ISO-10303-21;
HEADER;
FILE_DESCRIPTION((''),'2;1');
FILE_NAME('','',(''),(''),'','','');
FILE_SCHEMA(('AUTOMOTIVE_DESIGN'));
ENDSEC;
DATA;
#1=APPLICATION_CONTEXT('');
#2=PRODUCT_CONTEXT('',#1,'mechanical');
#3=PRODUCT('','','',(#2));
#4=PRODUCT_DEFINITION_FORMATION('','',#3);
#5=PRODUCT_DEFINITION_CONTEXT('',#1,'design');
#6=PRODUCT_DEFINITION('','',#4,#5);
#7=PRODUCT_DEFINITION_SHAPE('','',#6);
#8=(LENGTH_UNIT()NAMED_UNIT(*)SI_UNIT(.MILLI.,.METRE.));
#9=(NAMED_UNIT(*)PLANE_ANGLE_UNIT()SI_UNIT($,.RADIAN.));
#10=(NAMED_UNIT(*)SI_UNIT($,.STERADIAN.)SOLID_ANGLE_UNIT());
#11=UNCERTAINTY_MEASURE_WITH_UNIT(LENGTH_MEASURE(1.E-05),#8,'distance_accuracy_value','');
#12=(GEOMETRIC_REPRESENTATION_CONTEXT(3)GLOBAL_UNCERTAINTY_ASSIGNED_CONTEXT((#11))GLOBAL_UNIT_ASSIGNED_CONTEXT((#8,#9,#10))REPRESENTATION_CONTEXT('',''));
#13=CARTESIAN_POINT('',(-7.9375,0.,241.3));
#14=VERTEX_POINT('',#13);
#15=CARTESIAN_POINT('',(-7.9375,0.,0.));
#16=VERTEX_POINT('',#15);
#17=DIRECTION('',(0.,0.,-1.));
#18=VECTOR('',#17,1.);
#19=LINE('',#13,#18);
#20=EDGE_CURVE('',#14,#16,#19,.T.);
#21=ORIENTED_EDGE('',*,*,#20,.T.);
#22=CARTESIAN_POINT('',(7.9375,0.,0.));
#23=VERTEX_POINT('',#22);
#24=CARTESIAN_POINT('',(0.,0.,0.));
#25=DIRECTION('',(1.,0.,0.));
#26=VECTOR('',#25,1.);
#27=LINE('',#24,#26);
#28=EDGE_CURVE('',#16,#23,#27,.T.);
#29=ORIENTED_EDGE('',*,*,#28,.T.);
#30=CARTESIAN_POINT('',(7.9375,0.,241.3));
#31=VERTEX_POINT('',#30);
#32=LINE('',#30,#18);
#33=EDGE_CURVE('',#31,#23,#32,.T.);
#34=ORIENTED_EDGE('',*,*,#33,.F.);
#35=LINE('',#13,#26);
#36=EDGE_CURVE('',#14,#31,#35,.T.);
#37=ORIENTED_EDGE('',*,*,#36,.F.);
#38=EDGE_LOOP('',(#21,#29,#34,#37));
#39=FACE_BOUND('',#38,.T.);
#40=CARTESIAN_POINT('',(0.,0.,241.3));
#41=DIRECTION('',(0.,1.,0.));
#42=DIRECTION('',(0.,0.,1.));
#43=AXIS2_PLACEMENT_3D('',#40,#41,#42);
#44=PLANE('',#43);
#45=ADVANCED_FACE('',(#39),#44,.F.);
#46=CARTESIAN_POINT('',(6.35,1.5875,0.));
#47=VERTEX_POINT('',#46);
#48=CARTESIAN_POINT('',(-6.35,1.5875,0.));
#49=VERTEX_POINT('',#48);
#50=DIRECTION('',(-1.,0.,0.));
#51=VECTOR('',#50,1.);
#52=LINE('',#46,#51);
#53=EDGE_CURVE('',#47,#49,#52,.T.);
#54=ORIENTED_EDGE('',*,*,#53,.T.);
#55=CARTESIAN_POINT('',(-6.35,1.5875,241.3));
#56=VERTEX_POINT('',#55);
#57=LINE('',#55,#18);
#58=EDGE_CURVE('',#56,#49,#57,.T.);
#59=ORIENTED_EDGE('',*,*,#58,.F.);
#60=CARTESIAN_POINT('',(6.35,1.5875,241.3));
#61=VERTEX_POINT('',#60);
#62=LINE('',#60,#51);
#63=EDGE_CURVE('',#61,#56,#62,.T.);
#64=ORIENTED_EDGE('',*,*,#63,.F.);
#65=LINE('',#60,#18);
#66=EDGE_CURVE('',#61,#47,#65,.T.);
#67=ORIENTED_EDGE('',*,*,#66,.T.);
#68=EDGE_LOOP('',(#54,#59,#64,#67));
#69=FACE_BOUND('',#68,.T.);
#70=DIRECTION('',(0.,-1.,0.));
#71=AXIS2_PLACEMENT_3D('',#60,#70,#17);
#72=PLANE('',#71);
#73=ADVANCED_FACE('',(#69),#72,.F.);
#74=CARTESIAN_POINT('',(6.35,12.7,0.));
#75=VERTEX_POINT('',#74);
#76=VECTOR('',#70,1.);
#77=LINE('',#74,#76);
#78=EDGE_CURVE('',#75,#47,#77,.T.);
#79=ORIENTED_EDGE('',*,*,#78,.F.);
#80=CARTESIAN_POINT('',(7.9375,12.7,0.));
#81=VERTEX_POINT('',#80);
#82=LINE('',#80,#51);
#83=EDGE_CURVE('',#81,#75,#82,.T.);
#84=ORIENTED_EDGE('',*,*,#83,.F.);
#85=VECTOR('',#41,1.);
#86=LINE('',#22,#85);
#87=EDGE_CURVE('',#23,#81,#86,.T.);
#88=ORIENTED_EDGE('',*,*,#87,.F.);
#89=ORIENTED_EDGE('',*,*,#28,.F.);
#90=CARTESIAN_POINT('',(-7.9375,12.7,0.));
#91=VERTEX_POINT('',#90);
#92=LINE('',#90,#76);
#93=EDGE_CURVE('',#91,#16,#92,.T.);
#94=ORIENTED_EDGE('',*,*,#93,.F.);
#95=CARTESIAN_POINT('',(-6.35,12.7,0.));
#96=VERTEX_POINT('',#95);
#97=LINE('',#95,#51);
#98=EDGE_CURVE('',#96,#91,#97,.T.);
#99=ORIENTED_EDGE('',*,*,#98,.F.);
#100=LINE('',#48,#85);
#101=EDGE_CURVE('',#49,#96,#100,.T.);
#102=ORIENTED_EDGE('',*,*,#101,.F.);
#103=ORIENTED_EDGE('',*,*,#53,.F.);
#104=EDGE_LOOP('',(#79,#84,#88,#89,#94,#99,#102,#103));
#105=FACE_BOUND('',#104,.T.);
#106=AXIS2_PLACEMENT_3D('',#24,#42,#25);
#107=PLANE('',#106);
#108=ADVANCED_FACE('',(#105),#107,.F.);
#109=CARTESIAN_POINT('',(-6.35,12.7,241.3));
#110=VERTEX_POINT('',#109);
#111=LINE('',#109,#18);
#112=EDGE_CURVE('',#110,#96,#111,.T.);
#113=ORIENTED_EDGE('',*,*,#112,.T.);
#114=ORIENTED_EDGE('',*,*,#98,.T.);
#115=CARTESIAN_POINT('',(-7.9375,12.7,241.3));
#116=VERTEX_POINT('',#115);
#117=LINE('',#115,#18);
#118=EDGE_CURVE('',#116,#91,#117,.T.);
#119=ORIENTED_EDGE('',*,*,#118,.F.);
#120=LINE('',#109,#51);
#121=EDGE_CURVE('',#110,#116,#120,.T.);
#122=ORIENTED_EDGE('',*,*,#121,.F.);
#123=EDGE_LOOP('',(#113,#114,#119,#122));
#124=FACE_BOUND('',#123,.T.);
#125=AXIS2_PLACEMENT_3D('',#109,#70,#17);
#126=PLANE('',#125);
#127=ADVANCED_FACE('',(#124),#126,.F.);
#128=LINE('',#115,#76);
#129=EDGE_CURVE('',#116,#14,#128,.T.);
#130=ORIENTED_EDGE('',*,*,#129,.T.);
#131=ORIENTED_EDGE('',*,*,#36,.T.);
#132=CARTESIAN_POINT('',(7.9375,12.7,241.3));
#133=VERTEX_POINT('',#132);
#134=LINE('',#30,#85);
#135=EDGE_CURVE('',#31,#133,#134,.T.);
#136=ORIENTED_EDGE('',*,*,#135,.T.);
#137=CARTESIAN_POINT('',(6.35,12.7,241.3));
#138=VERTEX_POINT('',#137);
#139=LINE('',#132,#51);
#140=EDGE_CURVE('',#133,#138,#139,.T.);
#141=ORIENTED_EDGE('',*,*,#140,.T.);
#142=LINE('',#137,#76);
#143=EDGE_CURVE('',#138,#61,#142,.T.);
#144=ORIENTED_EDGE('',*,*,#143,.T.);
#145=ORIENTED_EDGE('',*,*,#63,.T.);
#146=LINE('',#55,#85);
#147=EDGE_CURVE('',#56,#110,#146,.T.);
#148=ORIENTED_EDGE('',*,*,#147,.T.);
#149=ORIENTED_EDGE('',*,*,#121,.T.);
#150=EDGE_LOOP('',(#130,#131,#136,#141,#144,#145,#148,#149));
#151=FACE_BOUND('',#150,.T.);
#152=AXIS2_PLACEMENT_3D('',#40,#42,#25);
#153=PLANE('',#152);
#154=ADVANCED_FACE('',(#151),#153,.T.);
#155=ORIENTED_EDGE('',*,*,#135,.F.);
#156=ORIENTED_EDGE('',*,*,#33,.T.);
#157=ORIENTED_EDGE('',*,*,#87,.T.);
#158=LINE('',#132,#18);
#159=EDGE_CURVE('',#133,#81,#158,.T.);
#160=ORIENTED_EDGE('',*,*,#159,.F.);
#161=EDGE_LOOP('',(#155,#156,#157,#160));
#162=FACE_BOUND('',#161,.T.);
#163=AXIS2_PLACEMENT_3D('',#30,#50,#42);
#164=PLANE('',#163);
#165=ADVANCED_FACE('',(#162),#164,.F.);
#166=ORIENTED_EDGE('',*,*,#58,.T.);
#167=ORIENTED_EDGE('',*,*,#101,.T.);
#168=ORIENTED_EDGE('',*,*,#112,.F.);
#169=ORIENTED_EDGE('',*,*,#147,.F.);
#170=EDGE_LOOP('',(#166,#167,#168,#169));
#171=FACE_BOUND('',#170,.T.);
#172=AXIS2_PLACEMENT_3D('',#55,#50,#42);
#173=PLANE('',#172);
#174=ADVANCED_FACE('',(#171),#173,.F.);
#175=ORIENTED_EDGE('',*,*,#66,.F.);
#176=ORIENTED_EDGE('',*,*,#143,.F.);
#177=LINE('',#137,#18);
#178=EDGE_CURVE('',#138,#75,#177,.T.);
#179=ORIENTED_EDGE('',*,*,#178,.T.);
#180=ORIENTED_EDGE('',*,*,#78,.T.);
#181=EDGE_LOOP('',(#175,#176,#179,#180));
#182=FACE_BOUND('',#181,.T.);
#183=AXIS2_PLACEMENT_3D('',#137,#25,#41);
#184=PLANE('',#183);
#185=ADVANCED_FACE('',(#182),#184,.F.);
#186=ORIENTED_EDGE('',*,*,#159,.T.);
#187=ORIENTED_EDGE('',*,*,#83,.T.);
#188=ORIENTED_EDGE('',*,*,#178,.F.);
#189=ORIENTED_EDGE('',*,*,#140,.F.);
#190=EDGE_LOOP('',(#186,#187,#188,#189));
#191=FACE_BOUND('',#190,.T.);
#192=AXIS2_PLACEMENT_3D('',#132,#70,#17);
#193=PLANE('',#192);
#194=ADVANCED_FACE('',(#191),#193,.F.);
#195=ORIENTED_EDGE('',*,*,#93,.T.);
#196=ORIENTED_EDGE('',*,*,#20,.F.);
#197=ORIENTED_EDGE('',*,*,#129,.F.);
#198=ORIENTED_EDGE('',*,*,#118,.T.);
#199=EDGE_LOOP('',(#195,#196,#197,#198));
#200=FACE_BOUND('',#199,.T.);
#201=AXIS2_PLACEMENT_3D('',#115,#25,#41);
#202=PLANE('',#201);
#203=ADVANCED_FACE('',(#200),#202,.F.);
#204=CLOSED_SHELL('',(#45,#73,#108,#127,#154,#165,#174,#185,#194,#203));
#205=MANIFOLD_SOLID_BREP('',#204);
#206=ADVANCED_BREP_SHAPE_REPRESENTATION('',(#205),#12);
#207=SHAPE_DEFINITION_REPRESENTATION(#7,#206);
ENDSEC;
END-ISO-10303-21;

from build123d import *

# Parameters (mm, degrees)
BOSS_EXTRUDE1_DEPTH = 241.3


with BuildPart() as part:
    # Sketch1 → Boss-Extrude1 (new body)
    with BuildSketch(Plane.XY):
        Polygon((0, 0), (7.9375, 0), (7.9375, 12.7), (6.35, 12.7), (6.35, 1.5875), (-6.35, 1.5875), (-6.35, 12.7), (-7.9375, 12.7), (-7.9375, 0), align=None)
    extrude(amount=BOSS_EXTRUDE1_DEPTH)


solid = part.part
